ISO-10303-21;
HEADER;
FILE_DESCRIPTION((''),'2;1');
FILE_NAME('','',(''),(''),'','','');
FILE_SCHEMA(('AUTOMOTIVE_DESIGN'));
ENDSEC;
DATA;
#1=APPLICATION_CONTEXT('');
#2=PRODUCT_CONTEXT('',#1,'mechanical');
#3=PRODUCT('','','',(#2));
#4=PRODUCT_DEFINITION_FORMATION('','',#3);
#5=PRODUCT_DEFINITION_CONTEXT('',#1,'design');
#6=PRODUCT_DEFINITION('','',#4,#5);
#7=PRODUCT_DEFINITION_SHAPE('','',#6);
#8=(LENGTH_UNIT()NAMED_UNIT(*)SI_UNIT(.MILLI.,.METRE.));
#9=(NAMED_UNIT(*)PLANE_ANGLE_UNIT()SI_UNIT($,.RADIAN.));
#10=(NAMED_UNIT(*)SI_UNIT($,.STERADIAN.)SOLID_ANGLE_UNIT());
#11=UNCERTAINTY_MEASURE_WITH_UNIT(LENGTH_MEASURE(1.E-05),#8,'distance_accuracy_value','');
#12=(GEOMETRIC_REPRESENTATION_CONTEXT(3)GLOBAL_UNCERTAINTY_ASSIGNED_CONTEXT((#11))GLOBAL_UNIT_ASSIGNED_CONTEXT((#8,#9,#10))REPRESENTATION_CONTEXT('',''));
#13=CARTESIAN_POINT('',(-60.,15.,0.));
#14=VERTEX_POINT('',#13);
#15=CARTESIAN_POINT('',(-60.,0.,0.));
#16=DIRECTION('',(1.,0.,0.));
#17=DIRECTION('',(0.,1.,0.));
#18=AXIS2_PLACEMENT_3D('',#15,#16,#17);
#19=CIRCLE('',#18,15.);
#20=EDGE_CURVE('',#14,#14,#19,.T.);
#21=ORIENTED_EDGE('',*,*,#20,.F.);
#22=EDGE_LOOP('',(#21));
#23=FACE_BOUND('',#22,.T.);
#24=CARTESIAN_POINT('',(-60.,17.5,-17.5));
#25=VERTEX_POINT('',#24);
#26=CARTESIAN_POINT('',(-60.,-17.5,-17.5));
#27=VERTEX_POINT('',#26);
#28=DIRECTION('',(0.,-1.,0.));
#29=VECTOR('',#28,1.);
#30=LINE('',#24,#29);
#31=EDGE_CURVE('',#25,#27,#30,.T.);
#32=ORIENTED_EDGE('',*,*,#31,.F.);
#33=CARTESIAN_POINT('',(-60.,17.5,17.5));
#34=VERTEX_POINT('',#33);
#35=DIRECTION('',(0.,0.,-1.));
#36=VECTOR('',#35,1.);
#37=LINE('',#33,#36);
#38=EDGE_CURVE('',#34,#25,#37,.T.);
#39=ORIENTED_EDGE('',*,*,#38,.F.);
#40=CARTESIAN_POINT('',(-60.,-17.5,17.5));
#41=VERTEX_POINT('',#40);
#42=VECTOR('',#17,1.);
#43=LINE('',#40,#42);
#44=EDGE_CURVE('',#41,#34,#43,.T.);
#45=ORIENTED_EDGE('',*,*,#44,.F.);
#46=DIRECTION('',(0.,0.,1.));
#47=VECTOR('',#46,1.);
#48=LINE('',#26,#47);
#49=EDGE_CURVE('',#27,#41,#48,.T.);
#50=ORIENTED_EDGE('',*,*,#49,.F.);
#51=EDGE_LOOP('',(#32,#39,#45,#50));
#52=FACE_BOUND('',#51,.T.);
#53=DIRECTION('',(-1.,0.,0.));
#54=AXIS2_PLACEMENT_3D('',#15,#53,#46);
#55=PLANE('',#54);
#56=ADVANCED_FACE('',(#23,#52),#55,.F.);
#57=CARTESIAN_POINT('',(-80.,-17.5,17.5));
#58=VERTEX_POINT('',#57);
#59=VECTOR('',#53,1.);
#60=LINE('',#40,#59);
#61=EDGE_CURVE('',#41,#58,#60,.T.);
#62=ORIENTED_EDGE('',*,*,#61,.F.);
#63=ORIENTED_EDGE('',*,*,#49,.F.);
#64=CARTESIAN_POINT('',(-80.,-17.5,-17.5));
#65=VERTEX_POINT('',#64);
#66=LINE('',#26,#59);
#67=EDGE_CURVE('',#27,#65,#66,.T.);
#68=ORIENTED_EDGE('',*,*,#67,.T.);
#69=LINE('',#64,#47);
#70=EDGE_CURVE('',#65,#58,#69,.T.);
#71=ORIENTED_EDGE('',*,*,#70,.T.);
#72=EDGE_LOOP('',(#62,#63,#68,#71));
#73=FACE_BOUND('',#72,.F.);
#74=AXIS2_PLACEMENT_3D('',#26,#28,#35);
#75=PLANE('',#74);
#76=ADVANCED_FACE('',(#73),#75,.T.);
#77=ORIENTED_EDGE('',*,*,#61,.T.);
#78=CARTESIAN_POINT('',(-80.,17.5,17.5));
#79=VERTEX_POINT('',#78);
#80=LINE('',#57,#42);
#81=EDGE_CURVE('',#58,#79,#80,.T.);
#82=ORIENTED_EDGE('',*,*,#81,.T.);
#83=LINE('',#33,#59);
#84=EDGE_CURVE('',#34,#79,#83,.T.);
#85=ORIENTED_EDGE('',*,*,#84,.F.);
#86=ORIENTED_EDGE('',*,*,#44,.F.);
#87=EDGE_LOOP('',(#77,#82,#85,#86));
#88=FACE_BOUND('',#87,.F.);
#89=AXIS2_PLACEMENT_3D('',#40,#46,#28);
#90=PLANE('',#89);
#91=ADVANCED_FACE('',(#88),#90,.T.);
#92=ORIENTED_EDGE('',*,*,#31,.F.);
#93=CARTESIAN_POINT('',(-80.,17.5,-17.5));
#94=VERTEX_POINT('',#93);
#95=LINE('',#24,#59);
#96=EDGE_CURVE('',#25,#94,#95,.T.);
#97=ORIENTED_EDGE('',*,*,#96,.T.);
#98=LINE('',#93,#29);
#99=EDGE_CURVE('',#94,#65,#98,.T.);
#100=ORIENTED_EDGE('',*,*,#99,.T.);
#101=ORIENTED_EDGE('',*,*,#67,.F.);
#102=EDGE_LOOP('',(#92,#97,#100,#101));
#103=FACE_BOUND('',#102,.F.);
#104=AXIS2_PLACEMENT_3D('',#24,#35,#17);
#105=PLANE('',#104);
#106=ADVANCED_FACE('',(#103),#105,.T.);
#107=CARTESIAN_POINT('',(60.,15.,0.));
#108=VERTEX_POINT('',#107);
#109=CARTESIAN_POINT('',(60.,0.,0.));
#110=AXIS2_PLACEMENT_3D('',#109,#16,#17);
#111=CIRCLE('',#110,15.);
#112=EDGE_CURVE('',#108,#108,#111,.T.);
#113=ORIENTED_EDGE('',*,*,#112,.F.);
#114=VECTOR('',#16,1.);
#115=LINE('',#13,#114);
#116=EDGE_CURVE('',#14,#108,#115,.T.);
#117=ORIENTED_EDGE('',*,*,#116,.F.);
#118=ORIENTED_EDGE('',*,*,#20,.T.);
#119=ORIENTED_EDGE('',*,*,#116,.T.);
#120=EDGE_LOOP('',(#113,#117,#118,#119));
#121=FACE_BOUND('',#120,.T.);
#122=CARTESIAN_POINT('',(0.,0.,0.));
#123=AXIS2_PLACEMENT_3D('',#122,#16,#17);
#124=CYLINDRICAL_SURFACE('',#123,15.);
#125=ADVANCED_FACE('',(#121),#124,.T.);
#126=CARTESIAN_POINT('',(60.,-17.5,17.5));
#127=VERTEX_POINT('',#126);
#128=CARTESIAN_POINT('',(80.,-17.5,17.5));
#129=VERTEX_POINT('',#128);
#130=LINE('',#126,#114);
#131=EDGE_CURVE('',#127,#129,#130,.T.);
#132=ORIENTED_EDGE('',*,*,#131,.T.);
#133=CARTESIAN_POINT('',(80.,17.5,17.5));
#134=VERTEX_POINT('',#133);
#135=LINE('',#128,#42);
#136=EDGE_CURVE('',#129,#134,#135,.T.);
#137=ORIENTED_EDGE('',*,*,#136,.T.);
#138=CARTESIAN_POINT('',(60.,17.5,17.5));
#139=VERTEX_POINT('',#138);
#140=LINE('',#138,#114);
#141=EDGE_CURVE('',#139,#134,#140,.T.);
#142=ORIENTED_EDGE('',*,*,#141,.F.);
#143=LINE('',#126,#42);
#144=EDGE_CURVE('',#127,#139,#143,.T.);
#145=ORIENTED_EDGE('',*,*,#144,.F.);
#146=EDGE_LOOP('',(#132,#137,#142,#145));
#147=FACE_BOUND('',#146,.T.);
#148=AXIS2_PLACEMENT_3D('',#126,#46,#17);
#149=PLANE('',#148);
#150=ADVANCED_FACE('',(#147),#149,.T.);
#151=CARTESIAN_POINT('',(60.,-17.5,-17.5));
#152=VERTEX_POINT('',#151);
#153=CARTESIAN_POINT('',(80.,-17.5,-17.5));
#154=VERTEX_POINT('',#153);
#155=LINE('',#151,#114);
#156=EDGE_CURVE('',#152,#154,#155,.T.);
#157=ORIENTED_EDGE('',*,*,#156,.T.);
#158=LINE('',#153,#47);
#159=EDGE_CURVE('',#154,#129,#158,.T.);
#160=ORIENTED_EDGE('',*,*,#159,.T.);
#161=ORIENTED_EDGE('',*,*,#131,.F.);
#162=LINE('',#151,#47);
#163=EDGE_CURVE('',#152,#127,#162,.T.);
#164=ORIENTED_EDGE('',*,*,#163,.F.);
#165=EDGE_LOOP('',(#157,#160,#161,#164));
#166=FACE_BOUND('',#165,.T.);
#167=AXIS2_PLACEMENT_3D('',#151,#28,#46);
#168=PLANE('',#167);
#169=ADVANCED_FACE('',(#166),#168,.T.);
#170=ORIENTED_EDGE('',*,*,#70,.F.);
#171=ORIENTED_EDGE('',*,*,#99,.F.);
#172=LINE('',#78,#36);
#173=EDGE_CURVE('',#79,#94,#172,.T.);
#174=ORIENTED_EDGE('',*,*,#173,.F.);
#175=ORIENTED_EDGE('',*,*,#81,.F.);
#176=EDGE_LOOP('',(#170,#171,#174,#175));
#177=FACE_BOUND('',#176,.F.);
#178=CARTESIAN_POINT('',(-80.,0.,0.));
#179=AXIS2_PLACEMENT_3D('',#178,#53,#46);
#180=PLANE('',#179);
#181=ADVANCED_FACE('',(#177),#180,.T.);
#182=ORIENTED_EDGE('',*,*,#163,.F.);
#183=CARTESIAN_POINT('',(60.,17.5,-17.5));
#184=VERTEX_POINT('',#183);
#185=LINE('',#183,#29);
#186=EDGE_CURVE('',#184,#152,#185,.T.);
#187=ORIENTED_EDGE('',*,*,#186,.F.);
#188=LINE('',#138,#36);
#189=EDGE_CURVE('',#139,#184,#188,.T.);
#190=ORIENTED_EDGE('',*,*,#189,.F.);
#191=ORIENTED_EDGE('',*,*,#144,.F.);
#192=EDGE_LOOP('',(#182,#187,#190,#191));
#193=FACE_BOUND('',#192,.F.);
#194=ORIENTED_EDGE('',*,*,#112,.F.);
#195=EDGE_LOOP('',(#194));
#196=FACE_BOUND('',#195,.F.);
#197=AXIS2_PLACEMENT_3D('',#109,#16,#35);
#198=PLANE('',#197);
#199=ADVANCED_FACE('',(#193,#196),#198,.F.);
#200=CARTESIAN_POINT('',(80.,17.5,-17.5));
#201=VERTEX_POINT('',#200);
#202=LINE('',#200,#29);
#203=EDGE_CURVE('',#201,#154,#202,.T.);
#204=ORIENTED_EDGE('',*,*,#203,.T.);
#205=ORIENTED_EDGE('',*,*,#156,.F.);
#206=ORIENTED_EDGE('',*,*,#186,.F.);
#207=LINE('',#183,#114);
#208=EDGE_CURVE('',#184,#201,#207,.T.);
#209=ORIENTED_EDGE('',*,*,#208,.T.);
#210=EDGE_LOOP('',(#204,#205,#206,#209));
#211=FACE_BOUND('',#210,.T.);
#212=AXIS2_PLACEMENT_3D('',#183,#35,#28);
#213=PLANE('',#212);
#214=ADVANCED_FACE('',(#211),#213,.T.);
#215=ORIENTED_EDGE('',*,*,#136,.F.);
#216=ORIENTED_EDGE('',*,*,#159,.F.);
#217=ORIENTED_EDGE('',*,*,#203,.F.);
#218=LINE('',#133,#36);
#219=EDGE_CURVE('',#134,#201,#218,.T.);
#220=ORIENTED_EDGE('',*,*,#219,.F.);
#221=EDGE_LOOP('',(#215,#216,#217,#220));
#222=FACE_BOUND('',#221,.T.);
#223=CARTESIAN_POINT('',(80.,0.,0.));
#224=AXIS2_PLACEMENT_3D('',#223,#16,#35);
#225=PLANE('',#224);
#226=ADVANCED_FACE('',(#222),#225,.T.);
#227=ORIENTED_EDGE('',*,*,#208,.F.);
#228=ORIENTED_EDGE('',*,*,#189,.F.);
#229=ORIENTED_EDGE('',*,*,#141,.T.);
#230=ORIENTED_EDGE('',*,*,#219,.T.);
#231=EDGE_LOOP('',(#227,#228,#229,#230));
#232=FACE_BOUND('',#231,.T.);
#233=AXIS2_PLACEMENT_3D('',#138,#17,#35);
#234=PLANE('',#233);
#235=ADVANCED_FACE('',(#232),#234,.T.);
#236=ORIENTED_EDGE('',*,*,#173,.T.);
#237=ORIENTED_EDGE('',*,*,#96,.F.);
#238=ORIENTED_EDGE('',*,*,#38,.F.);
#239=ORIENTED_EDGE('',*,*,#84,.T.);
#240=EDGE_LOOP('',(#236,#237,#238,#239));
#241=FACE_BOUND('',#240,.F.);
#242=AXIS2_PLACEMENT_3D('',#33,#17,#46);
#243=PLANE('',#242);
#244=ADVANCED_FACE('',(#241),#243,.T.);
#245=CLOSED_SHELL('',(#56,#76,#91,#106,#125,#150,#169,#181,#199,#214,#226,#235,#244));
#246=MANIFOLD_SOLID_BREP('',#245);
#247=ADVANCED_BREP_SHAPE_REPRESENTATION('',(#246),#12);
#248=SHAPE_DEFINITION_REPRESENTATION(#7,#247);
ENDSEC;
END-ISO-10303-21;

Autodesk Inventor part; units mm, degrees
ref_plane "YZ Plane" through (0, 0, 0) normal (1, 0, 0) x (0, 1, 0)
ref_plane "XZ Plane" through (0, 0, 0) normal (0, 1, 0) x (-1, 0, 0)
ref_plane "XY Plane" through (0, 0, 0) normal (0, 0, 1) x (1, 0, 0)
sketch "Sketch1" plane through (0, 0, 0) normal (1, 0, 0) x (0, 1, 0)
  circle A0 centre (0, 0) radius 15
  dimension "d0" = 30
extrude "Extrusion1" add sketch "Sketch1" along normal mid plane 120
sketch "Sketch2" plane through (60, 0, 0) normal (1, 0, 0) x (0, 0, -1)
  line L0 (-17.5, 17.5) -> (17.5, 17.5)
  line L1 (17.5, 17.5) -> (17.5, -17.5)
  line L2 (17.5, -17.5) -> (-17.5, -17.5)
  line L3 (-17.5, -17.5) -> (-17.5, 17.5)
  line L4 (-17.5, 17.5) -> (17.5, -17.5) construction
  line L5 (17.5, 17.5) -> (-17.5, -17.5) construction
  point P0 (0, 0)
  dimension "d3" = 35
  dimension "d4" = 35
extrude "Extrusion2" add sketch "Sketch2" along normal blind 20
mirror "Mirror1" about plane through (0, 0, 0) normal (1, 0, 0) of "Extrusion2"
properties part number "ROLLER SHAFT"
